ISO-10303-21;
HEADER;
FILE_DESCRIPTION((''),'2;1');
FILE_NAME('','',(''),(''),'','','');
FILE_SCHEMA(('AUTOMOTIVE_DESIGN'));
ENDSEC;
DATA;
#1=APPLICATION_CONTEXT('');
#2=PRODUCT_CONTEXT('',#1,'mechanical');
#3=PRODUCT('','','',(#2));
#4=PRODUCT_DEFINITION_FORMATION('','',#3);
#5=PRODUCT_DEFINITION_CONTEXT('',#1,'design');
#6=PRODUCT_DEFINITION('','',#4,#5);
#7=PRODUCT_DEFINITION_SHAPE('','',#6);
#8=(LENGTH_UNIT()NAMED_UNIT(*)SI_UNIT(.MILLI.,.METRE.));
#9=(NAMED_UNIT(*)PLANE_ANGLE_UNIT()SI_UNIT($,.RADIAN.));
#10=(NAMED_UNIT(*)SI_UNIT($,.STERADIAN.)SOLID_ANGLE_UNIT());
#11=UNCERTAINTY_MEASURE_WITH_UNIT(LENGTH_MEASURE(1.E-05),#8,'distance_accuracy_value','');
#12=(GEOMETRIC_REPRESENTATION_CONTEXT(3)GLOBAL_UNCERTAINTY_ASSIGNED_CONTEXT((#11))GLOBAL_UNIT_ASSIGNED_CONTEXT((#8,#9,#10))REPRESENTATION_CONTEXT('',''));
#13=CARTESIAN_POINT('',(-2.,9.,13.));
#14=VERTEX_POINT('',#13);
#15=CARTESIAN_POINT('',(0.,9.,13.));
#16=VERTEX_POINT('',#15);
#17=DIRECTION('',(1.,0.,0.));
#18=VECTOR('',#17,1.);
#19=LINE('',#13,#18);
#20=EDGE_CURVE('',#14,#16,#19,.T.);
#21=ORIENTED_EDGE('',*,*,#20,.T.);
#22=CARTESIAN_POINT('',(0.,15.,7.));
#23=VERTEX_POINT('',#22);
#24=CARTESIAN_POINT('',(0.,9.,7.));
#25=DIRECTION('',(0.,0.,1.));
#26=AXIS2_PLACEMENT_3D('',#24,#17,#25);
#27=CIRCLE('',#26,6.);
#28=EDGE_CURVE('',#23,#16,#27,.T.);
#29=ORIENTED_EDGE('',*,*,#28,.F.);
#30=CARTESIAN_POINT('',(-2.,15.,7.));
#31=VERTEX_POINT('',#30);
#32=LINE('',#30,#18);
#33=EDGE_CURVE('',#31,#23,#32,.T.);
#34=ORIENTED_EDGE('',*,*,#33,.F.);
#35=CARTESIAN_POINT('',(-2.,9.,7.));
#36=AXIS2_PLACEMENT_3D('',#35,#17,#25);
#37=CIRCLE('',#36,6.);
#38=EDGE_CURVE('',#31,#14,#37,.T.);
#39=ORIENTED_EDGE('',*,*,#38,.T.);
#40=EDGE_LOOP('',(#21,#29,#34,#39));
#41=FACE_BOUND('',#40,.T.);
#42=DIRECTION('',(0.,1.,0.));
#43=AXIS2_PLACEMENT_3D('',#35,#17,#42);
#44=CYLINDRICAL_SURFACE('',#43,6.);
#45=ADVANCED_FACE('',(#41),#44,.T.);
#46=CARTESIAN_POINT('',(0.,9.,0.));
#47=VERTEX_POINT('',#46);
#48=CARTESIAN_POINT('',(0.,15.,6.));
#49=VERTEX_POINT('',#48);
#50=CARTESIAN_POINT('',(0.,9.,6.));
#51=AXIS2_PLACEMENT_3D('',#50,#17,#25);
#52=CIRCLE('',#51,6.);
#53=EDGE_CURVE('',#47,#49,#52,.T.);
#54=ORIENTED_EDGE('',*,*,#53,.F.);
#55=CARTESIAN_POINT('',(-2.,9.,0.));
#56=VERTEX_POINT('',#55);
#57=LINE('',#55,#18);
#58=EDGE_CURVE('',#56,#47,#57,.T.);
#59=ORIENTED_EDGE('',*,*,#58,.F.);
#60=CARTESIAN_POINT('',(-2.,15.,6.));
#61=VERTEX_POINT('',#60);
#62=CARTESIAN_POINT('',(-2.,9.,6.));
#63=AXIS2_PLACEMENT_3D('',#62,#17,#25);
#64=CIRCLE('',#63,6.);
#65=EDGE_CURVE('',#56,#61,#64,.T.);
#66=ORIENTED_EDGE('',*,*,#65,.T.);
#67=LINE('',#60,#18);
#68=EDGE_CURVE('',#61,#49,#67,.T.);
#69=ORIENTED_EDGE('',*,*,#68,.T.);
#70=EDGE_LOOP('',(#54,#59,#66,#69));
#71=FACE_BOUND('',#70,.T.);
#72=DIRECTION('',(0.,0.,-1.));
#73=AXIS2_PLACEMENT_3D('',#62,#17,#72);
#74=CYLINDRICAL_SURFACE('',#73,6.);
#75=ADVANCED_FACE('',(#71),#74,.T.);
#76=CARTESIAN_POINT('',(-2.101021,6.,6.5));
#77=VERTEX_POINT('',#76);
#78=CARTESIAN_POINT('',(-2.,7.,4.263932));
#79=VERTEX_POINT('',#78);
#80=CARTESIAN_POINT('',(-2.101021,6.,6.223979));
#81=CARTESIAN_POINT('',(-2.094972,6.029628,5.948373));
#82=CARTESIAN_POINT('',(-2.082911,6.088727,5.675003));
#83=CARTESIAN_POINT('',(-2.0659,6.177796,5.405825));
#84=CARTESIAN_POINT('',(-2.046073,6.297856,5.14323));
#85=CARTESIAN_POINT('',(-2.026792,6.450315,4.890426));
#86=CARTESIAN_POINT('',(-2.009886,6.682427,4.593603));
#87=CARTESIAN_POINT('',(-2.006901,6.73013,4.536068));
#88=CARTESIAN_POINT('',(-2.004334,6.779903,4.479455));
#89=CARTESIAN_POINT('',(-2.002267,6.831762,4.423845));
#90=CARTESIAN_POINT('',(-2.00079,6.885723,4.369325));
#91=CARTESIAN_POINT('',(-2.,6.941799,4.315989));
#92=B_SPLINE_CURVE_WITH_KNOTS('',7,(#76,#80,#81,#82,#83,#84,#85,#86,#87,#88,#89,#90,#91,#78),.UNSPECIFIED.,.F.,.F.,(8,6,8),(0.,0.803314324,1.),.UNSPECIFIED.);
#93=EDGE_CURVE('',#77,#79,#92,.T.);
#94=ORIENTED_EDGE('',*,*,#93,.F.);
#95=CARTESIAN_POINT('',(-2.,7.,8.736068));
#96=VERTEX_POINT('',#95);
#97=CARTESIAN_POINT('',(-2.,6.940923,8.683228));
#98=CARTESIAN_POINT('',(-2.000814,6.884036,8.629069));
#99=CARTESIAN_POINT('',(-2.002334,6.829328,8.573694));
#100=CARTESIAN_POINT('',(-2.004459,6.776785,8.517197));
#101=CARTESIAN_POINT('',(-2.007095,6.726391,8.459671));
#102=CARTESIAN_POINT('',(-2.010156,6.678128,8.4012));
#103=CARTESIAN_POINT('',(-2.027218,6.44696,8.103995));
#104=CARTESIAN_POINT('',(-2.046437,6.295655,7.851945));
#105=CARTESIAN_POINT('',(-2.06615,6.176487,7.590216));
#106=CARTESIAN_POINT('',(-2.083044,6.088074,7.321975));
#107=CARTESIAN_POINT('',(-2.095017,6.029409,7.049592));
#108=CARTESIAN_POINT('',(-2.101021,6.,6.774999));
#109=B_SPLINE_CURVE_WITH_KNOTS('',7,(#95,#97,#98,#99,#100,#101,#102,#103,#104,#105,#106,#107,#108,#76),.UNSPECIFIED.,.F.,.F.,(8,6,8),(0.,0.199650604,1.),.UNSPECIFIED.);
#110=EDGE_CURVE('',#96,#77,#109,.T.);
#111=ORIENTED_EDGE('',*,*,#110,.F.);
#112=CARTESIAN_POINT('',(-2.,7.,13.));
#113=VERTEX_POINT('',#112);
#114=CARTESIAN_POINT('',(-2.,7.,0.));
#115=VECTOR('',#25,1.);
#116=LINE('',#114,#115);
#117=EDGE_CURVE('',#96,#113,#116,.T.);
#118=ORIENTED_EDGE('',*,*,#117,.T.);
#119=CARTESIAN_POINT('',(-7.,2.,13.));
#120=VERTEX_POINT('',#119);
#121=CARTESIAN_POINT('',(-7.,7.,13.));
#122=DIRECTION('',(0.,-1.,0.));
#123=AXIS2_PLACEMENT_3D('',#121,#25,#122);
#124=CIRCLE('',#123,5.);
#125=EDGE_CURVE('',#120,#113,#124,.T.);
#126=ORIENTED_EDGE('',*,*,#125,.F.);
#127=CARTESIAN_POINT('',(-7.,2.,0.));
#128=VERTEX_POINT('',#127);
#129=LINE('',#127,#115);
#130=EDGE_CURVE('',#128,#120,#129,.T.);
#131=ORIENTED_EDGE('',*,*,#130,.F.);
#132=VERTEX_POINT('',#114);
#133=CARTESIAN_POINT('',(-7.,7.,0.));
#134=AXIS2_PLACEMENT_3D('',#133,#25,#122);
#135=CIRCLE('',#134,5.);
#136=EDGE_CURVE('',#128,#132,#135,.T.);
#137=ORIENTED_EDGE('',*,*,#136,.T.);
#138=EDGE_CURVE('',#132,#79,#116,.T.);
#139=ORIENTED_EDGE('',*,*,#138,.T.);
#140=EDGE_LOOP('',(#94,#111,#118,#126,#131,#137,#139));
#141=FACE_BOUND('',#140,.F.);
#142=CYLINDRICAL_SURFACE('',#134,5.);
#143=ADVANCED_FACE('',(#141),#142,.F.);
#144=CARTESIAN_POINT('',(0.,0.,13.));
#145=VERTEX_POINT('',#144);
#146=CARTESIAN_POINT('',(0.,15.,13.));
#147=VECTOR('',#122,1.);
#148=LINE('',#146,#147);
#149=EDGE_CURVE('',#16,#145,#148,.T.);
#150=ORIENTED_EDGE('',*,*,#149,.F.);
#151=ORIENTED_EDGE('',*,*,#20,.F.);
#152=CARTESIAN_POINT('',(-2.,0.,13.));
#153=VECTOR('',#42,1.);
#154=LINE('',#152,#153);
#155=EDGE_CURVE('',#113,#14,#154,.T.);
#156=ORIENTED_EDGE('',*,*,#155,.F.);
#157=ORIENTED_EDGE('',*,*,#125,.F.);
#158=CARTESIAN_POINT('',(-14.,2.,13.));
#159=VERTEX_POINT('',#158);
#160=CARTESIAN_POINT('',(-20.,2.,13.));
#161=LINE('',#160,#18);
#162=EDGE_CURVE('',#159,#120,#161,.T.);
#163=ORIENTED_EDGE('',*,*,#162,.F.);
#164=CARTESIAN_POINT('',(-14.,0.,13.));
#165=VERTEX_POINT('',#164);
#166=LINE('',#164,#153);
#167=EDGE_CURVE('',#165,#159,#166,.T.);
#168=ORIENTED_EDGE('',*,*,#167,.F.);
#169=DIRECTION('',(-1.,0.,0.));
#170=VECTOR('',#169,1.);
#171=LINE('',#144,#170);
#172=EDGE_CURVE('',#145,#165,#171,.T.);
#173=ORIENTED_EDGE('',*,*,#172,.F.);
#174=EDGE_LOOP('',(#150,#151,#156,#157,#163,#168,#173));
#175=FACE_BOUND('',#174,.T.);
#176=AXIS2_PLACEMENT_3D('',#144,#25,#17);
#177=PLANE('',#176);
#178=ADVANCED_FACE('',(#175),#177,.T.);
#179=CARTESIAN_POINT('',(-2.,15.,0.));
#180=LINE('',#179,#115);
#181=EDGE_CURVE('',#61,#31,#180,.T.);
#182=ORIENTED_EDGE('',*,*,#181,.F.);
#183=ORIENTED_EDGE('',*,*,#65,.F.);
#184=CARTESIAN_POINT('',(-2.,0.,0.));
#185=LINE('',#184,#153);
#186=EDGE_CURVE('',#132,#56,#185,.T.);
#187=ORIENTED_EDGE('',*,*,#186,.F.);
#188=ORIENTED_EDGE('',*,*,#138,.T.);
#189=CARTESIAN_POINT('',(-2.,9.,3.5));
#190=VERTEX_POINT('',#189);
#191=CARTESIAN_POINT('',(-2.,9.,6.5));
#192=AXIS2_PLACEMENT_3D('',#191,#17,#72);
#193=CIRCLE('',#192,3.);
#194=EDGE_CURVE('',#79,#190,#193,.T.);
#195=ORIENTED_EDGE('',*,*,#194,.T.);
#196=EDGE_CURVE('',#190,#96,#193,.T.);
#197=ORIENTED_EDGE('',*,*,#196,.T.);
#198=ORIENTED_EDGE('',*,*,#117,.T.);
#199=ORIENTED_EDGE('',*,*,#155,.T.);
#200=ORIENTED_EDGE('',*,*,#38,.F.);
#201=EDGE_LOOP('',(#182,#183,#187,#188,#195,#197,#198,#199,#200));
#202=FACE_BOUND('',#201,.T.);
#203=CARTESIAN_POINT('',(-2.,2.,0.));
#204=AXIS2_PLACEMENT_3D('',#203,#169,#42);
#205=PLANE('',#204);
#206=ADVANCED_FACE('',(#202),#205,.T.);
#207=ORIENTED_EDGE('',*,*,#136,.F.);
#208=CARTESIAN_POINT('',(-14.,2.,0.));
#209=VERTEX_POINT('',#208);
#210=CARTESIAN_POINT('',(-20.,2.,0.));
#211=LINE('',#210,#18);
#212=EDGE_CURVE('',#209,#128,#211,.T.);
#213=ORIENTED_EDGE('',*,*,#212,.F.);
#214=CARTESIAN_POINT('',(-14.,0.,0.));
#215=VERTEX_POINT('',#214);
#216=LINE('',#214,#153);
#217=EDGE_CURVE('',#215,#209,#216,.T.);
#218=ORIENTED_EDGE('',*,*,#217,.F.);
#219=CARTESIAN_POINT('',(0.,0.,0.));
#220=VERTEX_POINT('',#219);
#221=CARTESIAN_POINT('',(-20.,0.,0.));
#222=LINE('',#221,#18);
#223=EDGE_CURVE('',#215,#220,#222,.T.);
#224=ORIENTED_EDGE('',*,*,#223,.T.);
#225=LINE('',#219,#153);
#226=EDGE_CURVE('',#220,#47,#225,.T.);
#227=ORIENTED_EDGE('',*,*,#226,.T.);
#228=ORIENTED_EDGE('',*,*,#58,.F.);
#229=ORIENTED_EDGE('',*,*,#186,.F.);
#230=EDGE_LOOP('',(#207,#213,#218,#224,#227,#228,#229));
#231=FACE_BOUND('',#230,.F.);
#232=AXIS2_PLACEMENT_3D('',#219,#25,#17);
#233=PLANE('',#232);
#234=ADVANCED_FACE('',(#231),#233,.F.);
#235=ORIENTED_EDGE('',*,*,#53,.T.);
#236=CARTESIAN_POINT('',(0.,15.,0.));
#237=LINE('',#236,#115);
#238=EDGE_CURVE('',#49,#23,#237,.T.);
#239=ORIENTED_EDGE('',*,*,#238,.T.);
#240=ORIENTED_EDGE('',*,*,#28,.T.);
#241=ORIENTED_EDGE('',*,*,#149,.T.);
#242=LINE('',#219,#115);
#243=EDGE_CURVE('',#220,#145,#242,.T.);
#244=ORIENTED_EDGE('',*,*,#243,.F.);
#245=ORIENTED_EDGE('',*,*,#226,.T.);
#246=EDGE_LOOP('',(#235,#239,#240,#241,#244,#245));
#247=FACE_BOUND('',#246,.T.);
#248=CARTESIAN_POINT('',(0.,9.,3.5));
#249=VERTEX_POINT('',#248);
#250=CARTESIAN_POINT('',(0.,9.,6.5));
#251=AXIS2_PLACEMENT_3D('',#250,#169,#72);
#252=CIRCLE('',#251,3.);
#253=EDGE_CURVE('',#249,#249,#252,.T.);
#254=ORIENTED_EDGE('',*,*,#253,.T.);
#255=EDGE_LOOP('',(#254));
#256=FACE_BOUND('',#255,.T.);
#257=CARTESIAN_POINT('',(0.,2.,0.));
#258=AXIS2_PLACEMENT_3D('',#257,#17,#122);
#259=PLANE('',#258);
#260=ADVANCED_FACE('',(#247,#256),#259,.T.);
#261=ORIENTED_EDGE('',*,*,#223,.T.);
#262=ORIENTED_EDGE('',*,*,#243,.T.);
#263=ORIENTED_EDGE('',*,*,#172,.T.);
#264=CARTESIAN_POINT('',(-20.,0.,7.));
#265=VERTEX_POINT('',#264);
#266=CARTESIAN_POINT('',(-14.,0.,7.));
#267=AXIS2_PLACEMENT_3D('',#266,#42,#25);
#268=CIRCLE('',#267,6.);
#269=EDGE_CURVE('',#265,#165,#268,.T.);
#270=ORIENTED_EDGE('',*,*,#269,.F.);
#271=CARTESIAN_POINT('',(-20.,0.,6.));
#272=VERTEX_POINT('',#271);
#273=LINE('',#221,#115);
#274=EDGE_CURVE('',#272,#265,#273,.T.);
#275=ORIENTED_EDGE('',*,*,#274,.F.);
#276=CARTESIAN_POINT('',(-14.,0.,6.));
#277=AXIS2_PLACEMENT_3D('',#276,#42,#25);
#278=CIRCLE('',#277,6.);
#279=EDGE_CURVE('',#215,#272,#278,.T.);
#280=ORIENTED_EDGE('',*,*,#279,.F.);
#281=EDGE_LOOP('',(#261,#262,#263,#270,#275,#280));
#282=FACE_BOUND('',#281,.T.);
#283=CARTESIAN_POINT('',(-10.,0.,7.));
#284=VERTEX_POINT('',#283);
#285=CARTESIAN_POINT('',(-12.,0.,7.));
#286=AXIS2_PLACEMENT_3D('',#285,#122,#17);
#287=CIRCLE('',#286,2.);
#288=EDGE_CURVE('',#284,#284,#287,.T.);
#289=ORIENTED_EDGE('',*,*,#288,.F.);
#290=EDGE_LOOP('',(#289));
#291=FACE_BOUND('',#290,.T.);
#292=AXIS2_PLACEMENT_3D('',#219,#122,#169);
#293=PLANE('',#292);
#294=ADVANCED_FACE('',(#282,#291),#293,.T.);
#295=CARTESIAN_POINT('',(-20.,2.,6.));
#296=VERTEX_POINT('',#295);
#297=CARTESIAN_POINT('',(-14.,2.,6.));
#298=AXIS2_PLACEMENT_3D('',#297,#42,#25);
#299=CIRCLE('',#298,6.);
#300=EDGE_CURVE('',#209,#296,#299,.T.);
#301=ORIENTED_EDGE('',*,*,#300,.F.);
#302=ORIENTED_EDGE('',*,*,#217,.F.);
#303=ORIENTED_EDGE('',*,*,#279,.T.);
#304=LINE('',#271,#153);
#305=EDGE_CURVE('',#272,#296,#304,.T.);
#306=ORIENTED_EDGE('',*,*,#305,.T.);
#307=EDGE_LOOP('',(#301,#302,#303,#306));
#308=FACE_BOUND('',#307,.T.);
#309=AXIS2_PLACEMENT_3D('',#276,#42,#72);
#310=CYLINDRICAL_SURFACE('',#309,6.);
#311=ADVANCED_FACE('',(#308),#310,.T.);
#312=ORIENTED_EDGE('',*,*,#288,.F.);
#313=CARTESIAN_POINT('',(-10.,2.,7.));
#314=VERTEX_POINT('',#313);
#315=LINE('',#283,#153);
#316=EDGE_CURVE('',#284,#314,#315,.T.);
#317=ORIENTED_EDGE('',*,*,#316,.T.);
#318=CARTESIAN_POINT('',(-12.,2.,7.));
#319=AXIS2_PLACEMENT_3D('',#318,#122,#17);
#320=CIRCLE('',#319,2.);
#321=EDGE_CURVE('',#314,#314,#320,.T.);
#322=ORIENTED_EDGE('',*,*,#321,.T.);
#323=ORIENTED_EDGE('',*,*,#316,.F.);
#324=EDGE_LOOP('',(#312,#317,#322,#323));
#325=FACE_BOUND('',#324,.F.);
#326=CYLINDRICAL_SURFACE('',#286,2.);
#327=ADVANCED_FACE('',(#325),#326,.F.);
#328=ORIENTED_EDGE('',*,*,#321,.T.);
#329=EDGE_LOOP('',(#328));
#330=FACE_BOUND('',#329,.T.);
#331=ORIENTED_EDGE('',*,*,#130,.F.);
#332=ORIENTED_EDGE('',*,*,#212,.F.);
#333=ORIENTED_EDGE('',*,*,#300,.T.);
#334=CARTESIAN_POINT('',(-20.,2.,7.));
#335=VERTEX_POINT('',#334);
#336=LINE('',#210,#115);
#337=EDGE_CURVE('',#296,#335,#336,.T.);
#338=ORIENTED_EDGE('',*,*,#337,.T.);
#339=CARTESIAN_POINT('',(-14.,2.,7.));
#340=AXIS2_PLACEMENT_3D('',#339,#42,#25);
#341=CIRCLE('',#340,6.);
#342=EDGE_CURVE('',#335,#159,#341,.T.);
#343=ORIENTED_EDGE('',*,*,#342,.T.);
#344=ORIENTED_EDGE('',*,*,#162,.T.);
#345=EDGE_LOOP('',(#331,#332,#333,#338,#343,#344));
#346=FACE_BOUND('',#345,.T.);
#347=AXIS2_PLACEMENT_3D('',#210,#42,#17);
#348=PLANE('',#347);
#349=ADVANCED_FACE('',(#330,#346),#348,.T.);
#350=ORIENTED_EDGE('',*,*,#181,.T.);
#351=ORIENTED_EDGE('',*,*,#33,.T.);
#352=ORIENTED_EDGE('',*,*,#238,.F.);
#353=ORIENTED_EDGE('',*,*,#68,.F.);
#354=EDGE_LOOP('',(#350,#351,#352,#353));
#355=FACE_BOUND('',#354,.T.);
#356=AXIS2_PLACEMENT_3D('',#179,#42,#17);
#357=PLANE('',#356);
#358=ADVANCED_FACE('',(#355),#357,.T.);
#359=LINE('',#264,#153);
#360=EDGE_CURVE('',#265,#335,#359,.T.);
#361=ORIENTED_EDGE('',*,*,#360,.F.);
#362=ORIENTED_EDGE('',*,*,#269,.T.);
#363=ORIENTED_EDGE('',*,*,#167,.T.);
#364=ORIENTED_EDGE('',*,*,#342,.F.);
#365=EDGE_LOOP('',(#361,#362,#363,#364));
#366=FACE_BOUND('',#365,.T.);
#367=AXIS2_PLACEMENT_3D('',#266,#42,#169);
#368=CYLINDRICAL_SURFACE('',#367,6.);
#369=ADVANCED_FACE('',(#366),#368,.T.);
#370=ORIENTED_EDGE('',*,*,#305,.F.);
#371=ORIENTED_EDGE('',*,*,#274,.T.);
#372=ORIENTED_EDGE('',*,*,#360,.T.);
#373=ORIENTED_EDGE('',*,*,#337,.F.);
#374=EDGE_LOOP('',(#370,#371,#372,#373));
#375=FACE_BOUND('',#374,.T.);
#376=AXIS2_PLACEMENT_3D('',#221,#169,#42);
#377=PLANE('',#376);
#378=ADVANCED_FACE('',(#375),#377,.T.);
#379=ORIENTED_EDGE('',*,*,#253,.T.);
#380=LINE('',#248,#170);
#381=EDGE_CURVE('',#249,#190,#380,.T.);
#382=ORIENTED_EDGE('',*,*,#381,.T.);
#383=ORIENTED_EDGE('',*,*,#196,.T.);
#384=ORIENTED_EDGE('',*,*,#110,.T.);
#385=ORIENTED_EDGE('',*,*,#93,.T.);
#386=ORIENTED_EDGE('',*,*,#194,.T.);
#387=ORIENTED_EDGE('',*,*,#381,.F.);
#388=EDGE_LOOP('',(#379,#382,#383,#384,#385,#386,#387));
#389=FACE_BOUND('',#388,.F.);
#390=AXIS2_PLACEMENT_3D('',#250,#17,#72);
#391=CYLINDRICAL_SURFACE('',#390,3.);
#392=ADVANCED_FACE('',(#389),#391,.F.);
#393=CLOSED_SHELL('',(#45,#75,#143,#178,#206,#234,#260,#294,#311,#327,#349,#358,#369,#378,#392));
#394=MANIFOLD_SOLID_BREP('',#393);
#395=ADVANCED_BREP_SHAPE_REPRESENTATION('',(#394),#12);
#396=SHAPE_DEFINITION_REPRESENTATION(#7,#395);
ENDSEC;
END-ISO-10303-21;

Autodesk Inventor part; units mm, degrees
ref_plane "YZ Plane" through (0, 0, 0) normal (1, 0, 0) x (0, 1, 0)
ref_plane "XZ Plane" through (0, 0, 0) normal (0, 1, 0) x (-1, 0, 0)
ref_plane "XY Plane" through (0, 0, 0) normal (0, 0, 1) x (1, 0, 0)
sketch "Sketch1" plane through (0, 0, 0) normal (0, 0, 1) x (1, 0, 0)
  line L0 (0, 0) -> (-20, 0)
  line L1 (-20, 0) -> (-20, 2)
  line L2 (-20, 2) -> (0, 2)
  line L3 (0, 2) -> (0, 0)
  line L4 (0, 0) -> (-2, 0)
  line L5 (-2, 0) -> (-2, 15)
  line L6 (-2, 15) -> (0, 15)
  line L7 (0, 15) -> (0, 0)
  point P0 (-2, 2)
  dimension "d0" = 20
  dimension "d1" = 2
  dimension "d2" = 2
  dimension "d3" = 15
extrude "Extrusion1" add sketch "Sketch1" along normal blind 13
fillet "Fillet1" radius 5 1 edges at (-2, 2, 6.5)
fillet "Fillet2" radius 6 4 edges at (-1, 15, 13) (-1, 15, 0) (-20, 1, 13) (-20, 1, 0)
sketch "Sketch2" plane through (0, 0, 13) normal (1, 0, 0) x (0, 0, -1)
  line L0 (13, 0) -> (0, 0) projected
  line L1 (6.5, 0) -> (6.5, 9)
  circle A0 centre (6.5, 9) radius 3
  dimension "d8" = 9
  dimension "d9" = 6
extrude "Extrusion2" cut sketch "Sketch2" against normal blind 13
sketch "Sketch3" plane through (0, 0, 0) normal (0, -1, 0) x (1, 0, 0)
  line L0 (0, 7) -> (-2, 7) projected
  line L1 (0, 7) -> (-12, 7)
  circle A0 centre (-12, 7) radius 2
  point P0 (0, 0)
  dimension "d12" = 12
  dimension "d13" = 4
extrude "Extrusion3" cut sketch "Sketch3" against normal blind 13
properties part number "prependicular"
